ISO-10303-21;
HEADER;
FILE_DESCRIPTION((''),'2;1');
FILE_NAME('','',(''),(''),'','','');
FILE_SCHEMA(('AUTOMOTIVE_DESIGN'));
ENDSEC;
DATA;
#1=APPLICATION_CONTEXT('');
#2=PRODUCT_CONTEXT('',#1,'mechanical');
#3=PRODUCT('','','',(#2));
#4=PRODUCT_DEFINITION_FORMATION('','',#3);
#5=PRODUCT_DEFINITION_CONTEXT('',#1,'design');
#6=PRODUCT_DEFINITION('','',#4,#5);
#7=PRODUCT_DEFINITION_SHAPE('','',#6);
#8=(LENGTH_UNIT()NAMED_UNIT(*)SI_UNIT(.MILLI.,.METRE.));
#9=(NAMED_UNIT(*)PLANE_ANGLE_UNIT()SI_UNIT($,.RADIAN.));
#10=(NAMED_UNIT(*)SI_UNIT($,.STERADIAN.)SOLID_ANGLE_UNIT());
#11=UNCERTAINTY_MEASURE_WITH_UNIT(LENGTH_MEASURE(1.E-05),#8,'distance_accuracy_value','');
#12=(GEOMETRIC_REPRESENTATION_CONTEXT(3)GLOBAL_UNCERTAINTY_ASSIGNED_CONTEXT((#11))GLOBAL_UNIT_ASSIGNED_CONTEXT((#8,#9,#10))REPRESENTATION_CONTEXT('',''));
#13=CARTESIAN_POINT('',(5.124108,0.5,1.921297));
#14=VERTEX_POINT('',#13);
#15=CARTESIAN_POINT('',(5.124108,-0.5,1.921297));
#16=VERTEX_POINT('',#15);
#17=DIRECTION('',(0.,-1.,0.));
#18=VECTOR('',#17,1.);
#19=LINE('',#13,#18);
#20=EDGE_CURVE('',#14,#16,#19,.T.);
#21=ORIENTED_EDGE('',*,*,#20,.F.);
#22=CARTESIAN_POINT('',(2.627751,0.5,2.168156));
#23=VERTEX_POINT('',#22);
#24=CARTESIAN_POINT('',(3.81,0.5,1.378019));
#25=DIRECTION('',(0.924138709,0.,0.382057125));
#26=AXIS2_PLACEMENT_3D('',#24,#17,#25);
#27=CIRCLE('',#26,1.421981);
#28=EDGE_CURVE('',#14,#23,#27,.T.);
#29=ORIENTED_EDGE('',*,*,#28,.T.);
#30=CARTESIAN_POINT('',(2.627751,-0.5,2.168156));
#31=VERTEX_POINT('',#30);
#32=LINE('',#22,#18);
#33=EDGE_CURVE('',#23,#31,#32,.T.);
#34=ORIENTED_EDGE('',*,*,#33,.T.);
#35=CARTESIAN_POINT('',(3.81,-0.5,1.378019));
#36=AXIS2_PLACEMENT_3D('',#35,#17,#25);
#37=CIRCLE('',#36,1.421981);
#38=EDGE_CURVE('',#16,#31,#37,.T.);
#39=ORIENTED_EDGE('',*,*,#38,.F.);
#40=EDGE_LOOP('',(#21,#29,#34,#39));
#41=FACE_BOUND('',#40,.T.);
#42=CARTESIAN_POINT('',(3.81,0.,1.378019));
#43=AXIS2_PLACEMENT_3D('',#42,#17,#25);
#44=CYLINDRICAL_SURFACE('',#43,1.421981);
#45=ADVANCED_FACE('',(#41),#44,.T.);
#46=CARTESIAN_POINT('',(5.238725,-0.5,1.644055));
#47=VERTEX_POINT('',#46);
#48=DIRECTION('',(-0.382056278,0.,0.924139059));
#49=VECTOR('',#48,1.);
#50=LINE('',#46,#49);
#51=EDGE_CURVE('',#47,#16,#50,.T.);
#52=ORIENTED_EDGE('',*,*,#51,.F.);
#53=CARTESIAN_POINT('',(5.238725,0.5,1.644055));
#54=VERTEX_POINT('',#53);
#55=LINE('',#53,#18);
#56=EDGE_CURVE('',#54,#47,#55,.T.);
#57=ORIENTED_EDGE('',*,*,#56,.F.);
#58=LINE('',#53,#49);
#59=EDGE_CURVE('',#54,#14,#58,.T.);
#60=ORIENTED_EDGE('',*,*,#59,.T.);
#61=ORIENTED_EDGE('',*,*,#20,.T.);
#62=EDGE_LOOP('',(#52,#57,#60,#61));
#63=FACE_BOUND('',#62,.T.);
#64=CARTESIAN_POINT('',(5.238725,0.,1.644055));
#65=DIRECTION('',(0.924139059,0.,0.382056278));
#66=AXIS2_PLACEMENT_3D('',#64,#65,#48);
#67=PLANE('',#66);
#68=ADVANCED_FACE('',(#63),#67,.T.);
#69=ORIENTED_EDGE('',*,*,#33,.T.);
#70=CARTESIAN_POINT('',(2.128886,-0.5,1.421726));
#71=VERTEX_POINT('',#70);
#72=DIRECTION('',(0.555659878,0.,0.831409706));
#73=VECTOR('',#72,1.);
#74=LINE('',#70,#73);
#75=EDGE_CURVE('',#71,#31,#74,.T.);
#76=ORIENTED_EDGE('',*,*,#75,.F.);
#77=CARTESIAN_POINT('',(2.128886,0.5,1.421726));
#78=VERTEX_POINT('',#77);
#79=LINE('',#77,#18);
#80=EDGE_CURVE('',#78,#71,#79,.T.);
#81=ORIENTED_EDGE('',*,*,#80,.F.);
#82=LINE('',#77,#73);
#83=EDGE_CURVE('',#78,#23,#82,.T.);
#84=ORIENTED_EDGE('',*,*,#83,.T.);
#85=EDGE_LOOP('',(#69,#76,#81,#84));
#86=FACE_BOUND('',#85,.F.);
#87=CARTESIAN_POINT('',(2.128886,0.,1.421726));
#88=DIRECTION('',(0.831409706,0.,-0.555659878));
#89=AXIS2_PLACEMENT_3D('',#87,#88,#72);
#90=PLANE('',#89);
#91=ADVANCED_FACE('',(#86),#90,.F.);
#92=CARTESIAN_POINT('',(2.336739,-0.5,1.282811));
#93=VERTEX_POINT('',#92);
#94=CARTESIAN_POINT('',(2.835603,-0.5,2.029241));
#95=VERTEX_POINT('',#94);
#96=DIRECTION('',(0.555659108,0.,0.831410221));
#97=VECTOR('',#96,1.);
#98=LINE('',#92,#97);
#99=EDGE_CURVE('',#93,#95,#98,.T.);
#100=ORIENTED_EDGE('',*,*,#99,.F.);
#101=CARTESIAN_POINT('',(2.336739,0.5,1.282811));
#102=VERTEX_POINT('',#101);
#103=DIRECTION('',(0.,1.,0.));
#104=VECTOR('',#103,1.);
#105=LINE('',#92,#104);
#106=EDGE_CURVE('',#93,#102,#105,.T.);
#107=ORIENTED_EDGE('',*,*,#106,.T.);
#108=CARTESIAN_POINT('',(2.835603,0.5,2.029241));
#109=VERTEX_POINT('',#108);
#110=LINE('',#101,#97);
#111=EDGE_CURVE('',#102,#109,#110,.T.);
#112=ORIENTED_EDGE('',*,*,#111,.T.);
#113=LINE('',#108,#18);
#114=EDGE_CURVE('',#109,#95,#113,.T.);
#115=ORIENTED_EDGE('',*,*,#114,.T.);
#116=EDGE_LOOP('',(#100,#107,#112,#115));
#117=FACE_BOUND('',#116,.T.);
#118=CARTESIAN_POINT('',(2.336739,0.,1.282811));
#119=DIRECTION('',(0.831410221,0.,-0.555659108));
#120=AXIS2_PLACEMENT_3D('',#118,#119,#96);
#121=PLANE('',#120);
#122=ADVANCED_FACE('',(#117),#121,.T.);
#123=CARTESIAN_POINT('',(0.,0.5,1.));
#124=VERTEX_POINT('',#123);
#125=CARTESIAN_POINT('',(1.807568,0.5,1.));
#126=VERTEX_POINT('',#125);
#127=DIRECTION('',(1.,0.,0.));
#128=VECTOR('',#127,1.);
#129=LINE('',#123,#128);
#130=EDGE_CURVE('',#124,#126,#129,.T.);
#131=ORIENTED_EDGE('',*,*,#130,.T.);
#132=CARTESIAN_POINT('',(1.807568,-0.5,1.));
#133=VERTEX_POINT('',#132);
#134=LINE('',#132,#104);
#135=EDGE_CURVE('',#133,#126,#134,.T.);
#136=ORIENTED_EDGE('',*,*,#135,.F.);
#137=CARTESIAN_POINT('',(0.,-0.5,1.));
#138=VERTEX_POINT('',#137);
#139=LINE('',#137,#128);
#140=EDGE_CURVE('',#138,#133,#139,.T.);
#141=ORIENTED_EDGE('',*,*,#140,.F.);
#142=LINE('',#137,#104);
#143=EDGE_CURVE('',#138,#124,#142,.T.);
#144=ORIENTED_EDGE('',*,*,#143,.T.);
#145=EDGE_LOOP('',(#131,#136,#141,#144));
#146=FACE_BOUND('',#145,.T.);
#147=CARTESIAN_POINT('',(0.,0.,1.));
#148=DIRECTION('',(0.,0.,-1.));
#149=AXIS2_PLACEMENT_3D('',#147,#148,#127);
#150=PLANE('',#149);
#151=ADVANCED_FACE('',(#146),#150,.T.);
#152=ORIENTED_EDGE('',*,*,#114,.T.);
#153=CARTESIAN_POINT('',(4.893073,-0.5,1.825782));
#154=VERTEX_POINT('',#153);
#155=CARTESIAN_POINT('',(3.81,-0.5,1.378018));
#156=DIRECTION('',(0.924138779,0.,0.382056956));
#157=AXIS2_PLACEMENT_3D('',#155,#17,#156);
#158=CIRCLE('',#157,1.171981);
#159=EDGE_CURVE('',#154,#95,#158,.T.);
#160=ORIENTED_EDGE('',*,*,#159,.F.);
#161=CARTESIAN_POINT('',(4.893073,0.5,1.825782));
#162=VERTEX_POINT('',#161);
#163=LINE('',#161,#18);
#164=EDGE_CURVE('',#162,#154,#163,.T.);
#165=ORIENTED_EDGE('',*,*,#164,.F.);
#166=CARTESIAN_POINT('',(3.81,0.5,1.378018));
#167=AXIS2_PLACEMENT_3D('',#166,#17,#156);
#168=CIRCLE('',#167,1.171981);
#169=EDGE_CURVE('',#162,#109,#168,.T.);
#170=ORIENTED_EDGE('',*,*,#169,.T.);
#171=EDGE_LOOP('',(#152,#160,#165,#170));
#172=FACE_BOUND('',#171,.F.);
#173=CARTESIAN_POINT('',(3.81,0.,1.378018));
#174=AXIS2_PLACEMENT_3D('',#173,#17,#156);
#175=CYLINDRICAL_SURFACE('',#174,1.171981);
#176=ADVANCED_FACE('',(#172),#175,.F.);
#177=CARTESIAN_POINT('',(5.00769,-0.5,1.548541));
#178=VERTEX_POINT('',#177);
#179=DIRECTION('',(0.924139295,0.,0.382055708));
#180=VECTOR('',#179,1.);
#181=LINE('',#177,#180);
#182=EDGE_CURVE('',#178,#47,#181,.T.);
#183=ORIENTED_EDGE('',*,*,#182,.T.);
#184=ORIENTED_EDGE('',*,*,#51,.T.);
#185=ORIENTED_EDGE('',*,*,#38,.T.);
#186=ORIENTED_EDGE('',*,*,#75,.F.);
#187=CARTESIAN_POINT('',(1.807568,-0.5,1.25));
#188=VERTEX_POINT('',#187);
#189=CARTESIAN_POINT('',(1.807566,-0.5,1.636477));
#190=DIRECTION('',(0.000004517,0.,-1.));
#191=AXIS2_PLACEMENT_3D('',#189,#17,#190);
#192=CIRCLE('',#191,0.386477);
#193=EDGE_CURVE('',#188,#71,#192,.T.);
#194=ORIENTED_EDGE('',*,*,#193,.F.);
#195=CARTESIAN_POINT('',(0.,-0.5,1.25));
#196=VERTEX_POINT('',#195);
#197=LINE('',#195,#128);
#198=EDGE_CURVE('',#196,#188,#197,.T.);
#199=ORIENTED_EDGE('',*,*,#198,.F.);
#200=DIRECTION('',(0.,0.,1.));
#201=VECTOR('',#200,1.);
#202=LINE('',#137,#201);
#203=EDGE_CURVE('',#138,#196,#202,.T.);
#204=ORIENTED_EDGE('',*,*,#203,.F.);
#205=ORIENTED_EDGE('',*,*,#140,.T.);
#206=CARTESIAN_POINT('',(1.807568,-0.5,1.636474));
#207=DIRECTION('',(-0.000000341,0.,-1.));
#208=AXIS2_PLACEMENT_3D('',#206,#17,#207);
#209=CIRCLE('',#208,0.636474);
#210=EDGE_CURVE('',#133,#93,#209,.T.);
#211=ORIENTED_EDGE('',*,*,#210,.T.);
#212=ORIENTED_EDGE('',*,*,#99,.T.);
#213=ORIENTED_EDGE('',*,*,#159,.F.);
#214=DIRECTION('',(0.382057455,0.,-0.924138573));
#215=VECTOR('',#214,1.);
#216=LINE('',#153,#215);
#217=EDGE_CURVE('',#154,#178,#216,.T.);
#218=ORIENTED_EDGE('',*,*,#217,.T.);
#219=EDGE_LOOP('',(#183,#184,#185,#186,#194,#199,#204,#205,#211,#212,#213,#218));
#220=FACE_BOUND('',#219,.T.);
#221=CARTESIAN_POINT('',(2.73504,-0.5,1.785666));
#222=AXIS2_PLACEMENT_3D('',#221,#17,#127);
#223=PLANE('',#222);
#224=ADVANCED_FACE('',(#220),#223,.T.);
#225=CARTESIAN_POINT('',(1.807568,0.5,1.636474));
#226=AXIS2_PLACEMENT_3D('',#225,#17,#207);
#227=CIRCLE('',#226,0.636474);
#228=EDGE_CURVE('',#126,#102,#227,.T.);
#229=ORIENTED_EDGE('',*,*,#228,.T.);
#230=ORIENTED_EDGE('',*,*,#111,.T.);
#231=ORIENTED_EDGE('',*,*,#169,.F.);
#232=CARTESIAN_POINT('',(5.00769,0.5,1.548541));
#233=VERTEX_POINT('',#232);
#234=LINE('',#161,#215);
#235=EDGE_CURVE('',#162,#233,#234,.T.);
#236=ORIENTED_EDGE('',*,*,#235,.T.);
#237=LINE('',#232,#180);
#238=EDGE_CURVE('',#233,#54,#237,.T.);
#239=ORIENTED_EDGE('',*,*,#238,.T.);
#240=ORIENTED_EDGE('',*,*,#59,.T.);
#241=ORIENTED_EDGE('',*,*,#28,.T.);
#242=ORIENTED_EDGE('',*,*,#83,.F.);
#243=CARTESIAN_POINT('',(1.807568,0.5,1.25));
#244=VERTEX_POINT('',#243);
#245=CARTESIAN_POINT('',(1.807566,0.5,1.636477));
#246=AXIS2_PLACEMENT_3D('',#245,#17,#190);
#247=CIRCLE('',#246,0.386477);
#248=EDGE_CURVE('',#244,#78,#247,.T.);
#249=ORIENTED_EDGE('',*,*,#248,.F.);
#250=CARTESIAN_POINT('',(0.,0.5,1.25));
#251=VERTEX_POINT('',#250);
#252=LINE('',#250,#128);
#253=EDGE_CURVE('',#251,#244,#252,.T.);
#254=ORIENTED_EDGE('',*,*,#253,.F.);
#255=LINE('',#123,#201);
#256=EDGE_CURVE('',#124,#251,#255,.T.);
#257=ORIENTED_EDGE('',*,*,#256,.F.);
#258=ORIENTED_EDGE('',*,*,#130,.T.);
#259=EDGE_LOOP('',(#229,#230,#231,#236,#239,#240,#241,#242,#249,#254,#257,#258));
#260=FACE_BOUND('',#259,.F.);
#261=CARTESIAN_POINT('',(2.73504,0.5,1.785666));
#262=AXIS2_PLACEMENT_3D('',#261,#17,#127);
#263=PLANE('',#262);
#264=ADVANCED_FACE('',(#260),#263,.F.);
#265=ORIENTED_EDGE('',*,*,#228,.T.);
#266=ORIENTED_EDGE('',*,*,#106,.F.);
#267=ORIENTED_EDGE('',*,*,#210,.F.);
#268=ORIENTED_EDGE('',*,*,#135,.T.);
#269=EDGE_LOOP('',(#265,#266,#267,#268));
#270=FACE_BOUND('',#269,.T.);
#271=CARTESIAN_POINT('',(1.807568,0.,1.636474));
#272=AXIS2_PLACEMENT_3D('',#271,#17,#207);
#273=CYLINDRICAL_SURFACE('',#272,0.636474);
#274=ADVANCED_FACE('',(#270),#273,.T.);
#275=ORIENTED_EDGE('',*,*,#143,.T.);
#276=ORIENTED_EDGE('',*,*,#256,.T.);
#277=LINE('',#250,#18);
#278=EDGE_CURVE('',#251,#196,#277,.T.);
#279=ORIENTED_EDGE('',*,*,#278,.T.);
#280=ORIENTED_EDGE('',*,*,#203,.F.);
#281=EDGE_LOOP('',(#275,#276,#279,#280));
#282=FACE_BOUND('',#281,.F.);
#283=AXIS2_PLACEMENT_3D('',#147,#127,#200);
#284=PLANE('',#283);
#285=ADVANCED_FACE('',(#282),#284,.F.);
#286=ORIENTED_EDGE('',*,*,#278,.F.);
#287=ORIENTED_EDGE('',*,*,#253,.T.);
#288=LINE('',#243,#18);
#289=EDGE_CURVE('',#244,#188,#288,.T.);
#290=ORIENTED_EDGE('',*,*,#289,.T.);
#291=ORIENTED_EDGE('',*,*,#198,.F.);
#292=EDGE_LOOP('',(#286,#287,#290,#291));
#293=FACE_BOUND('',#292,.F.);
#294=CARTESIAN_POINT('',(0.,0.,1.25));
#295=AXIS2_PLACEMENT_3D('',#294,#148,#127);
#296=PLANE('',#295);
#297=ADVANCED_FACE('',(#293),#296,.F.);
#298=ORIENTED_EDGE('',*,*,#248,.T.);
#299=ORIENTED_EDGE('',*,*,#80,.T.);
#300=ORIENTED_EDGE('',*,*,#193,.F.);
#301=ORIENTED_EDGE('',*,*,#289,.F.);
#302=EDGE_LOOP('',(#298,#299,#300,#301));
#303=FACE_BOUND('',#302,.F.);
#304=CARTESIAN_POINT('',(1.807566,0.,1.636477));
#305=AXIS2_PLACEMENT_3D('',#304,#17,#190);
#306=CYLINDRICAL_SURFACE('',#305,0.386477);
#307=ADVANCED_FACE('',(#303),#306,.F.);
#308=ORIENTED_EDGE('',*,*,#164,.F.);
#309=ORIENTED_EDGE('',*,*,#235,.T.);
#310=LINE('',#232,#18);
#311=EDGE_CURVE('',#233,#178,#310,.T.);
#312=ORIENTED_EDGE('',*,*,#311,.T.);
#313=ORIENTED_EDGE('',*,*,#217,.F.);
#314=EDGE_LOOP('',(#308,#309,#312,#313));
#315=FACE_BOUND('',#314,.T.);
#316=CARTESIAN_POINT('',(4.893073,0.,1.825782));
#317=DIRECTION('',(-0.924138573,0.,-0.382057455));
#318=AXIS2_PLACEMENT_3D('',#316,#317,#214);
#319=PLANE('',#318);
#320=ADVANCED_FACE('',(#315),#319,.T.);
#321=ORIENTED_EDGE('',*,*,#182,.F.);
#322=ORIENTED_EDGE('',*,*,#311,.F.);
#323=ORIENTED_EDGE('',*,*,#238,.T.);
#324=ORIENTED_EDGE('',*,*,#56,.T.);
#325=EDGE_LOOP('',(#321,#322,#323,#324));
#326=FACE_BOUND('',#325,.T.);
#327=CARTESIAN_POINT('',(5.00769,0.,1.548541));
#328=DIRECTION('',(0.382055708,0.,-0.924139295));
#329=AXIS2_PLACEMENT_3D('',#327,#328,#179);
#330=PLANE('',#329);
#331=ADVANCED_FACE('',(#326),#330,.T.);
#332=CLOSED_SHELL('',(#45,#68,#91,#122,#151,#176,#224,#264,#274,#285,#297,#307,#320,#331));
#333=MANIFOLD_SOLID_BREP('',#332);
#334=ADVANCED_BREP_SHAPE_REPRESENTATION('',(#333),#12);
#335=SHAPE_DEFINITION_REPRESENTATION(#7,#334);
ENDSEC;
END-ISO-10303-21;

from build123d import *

# Parameters (mm, degrees)
PAD_DEPTH = 0.5


with BuildPart() as part:
    # Sketch → Pad (new body, symmetric)
    with BuildSketch(Plane.XZ):
        with BuildLine():
            Line((2.336739, 1.282811), (2.835603, 2.029241))
            ThreePointArc((4.893073, 1.825782), (3.925332, 2.544311), (2.835603, 2.029241))
            Line((4.893073, 1.825782), (5.00769, 1.548541))
            Line((5.00769, 1.548541), (5.238725, 1.644055))
            Line((5.238725, 1.644055), (5.124108, 1.921297))
            ThreePointArc((5.124108, 1.921297), (3.949934, 2.793098), (2.627751, 2.168156))
            Line((2.128886, 1.421726), (2.627751, 2.168156))
            ThreePointArc((1.807568, 1.25), (1.989732, 1.295625), (2.128886, 1.421726))
            Line((0, 1.25), (1.807568, 1.25))
            Line((0, 1), (0, 1.25))
            Line((0, 1), (1.807568, 1))
            ThreePointArc((1.807568, 1), (2.10757, 1.075138), (2.336739, 1.282811))
        make_face()
    extrude(amount=PAD_DEPTH, both=True)


solid = part.part
